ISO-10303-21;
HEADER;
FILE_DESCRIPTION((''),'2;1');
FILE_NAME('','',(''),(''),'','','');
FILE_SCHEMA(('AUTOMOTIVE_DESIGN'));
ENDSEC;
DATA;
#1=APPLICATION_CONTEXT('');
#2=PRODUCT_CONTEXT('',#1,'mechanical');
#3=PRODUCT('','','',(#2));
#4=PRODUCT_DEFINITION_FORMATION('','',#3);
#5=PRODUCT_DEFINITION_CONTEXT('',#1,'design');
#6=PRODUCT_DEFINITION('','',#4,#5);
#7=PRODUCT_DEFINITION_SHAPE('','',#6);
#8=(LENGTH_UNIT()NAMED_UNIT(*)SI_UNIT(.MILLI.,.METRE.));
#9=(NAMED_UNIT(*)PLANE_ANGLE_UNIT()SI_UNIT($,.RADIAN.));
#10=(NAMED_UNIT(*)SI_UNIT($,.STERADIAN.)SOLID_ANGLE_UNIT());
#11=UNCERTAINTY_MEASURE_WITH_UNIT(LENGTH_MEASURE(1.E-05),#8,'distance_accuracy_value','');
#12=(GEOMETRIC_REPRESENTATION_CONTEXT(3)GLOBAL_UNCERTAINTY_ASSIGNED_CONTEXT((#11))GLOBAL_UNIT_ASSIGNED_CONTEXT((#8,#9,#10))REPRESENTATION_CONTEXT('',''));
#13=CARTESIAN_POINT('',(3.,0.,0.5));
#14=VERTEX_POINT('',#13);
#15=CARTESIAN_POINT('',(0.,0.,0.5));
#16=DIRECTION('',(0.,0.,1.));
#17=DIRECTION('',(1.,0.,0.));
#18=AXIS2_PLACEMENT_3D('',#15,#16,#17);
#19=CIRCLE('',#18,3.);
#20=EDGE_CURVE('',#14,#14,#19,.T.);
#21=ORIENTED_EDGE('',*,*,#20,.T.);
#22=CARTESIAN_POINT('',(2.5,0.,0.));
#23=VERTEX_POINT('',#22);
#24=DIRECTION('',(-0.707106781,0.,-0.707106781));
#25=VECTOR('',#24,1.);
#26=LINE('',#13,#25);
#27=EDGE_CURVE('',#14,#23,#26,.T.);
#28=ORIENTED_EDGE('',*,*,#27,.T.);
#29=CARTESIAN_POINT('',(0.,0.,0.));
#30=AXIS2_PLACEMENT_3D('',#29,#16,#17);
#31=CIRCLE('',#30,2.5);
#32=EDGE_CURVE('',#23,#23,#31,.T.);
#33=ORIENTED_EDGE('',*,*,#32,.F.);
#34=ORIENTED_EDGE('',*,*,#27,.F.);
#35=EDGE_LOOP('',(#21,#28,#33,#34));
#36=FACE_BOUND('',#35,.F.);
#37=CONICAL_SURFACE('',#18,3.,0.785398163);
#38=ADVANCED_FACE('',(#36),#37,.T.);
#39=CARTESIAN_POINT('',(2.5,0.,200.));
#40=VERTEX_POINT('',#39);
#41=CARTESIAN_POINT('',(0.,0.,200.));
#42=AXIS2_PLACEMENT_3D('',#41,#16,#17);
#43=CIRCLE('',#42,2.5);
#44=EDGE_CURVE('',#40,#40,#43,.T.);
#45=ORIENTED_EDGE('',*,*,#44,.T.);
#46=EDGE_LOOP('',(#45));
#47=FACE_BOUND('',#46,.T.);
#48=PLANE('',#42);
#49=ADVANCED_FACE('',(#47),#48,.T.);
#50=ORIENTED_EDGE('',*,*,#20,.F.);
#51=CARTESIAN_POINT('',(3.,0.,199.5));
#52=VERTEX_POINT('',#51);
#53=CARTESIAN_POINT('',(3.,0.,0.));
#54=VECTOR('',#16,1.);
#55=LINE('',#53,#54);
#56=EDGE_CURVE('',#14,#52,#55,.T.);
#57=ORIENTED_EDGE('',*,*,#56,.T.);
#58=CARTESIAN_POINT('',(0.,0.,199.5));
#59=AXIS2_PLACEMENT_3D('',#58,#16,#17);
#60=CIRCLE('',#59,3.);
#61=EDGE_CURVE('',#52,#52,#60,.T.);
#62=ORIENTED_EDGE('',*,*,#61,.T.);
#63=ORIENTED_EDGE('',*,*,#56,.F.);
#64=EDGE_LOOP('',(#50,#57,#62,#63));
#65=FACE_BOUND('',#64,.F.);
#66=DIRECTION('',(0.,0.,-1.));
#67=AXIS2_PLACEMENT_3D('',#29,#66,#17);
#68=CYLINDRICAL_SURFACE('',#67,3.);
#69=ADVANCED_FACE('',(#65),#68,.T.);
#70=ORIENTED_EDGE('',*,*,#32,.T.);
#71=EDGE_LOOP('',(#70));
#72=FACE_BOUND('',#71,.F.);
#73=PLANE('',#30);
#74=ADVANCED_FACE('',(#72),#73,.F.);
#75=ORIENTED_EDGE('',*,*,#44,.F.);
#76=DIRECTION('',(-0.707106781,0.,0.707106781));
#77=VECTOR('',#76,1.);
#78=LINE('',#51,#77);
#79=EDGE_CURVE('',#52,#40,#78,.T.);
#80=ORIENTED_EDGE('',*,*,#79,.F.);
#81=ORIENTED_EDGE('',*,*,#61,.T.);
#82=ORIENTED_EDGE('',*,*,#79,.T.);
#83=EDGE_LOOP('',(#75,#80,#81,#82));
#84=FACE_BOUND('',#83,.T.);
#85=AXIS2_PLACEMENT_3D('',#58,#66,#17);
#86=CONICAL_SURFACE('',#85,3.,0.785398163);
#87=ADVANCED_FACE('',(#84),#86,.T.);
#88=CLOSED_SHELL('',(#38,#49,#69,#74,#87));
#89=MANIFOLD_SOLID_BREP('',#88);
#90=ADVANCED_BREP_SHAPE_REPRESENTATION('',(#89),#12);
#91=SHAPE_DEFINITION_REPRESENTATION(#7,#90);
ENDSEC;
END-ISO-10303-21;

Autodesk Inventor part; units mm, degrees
ref_plane "YZ Plane" through (0, 0, 0) normal (1, 0, 0) x (0, 1, 0)
ref_plane "XZ Plane" through (0, 0, 0) normal (0, 1, 0) x (-1, 0, 0)
ref_plane "XY Plane" through (0, 0, 0) normal (0, 0, 1) x (1, 0, 0)
sketch "Sketch1" plane through (0, 0, 0) normal (0, 0, 1) x (1, 0, 0)
  circle A0 centre (0, 0) radius 3
  dimension "d1" = 6
extrude "Extrusion1" add sketch "Sketch1" along normal blind 200
chamfer "Chamfer1" distance 0.5 angle 45 2 edges at (-3, 0, 200) (-3, 0, 0)
properties part number "hridel"
